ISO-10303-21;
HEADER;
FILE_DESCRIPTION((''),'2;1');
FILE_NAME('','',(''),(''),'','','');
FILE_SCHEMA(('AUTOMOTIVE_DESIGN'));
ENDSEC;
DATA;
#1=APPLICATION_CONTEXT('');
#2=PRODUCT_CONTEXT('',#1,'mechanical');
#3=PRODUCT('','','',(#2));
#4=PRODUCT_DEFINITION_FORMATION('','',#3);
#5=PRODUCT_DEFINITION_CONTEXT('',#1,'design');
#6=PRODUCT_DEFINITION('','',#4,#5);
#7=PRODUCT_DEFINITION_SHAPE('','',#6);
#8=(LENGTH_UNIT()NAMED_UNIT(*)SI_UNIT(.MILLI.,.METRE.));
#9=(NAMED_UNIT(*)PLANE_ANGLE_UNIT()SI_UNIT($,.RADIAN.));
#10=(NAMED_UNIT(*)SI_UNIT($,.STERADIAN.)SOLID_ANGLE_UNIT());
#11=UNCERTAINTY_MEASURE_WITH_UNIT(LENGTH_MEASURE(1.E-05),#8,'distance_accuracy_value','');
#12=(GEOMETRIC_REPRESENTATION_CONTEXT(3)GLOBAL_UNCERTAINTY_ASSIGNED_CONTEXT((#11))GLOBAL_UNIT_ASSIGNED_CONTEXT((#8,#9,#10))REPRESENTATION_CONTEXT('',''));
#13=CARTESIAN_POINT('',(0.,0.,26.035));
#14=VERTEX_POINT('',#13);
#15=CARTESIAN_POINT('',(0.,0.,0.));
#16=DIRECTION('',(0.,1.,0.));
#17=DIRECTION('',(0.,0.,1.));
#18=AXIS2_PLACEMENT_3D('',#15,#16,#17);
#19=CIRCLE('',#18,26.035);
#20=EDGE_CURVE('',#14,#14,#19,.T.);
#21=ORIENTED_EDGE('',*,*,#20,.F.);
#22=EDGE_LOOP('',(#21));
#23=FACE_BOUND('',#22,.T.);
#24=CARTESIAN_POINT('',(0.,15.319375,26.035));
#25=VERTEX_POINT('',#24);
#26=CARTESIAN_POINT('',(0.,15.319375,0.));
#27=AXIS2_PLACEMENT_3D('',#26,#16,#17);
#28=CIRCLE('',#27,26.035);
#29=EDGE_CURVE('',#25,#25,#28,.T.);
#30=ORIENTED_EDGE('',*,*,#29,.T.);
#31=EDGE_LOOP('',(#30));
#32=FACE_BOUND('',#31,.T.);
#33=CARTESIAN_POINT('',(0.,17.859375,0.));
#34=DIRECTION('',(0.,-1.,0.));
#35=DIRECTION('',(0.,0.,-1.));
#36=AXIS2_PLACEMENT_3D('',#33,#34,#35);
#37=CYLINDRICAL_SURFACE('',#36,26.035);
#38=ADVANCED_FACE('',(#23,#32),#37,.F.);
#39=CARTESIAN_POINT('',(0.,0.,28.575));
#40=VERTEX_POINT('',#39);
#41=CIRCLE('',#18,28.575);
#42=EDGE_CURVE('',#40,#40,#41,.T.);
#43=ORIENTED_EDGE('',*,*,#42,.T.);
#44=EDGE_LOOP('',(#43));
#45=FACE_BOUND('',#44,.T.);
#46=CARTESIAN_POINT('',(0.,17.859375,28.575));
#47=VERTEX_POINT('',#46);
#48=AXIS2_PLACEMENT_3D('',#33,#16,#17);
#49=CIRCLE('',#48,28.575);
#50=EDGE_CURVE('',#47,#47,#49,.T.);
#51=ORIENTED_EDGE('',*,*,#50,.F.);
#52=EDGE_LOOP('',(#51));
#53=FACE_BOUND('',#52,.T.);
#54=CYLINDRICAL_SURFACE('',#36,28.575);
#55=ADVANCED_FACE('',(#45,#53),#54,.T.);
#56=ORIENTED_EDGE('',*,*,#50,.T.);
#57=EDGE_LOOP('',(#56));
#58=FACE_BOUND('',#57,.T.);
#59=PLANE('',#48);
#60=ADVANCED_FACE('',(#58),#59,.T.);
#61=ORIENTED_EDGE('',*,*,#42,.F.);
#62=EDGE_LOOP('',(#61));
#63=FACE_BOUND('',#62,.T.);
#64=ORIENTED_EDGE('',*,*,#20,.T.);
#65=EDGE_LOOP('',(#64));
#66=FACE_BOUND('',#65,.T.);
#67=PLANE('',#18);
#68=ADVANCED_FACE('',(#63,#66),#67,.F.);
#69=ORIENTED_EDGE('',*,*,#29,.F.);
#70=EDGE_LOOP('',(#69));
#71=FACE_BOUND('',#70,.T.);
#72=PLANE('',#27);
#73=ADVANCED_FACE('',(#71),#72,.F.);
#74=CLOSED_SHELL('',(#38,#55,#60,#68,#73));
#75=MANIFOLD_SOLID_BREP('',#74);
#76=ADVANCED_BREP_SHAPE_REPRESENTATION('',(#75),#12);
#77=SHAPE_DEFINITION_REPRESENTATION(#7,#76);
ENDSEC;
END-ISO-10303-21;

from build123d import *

# Parameters (mm, degrees)
SKETCH2_R           = 28.575
BOSS_EXTRUDE1_DEPTH = 17.859375
SHELL1_T            = -2.54


with BuildPart() as part:
    # Sketch2 → Boss-Extrude1 (new body)
    with BuildSketch(Plane(origin=(0, 0, 0), x_dir=(1, 0, 0), z_dir=(0, 1, 0))):
        with Locations(Location((0, 0, 0), (0, 0, 270))):
            Circle(SKETCH2_R)
    extrude(amount=BOSS_EXTRUDE1_DEPTH)

    # Shell1
    shell1_openings = [part.faces().sort_by_distance(p)[0] for p in [
        (0, 0, 0),
    ]]
    offset(amount=SHELL1_T, openings=shell1_openings, kind=Kind.INTERSECTION)


solid = part.part
